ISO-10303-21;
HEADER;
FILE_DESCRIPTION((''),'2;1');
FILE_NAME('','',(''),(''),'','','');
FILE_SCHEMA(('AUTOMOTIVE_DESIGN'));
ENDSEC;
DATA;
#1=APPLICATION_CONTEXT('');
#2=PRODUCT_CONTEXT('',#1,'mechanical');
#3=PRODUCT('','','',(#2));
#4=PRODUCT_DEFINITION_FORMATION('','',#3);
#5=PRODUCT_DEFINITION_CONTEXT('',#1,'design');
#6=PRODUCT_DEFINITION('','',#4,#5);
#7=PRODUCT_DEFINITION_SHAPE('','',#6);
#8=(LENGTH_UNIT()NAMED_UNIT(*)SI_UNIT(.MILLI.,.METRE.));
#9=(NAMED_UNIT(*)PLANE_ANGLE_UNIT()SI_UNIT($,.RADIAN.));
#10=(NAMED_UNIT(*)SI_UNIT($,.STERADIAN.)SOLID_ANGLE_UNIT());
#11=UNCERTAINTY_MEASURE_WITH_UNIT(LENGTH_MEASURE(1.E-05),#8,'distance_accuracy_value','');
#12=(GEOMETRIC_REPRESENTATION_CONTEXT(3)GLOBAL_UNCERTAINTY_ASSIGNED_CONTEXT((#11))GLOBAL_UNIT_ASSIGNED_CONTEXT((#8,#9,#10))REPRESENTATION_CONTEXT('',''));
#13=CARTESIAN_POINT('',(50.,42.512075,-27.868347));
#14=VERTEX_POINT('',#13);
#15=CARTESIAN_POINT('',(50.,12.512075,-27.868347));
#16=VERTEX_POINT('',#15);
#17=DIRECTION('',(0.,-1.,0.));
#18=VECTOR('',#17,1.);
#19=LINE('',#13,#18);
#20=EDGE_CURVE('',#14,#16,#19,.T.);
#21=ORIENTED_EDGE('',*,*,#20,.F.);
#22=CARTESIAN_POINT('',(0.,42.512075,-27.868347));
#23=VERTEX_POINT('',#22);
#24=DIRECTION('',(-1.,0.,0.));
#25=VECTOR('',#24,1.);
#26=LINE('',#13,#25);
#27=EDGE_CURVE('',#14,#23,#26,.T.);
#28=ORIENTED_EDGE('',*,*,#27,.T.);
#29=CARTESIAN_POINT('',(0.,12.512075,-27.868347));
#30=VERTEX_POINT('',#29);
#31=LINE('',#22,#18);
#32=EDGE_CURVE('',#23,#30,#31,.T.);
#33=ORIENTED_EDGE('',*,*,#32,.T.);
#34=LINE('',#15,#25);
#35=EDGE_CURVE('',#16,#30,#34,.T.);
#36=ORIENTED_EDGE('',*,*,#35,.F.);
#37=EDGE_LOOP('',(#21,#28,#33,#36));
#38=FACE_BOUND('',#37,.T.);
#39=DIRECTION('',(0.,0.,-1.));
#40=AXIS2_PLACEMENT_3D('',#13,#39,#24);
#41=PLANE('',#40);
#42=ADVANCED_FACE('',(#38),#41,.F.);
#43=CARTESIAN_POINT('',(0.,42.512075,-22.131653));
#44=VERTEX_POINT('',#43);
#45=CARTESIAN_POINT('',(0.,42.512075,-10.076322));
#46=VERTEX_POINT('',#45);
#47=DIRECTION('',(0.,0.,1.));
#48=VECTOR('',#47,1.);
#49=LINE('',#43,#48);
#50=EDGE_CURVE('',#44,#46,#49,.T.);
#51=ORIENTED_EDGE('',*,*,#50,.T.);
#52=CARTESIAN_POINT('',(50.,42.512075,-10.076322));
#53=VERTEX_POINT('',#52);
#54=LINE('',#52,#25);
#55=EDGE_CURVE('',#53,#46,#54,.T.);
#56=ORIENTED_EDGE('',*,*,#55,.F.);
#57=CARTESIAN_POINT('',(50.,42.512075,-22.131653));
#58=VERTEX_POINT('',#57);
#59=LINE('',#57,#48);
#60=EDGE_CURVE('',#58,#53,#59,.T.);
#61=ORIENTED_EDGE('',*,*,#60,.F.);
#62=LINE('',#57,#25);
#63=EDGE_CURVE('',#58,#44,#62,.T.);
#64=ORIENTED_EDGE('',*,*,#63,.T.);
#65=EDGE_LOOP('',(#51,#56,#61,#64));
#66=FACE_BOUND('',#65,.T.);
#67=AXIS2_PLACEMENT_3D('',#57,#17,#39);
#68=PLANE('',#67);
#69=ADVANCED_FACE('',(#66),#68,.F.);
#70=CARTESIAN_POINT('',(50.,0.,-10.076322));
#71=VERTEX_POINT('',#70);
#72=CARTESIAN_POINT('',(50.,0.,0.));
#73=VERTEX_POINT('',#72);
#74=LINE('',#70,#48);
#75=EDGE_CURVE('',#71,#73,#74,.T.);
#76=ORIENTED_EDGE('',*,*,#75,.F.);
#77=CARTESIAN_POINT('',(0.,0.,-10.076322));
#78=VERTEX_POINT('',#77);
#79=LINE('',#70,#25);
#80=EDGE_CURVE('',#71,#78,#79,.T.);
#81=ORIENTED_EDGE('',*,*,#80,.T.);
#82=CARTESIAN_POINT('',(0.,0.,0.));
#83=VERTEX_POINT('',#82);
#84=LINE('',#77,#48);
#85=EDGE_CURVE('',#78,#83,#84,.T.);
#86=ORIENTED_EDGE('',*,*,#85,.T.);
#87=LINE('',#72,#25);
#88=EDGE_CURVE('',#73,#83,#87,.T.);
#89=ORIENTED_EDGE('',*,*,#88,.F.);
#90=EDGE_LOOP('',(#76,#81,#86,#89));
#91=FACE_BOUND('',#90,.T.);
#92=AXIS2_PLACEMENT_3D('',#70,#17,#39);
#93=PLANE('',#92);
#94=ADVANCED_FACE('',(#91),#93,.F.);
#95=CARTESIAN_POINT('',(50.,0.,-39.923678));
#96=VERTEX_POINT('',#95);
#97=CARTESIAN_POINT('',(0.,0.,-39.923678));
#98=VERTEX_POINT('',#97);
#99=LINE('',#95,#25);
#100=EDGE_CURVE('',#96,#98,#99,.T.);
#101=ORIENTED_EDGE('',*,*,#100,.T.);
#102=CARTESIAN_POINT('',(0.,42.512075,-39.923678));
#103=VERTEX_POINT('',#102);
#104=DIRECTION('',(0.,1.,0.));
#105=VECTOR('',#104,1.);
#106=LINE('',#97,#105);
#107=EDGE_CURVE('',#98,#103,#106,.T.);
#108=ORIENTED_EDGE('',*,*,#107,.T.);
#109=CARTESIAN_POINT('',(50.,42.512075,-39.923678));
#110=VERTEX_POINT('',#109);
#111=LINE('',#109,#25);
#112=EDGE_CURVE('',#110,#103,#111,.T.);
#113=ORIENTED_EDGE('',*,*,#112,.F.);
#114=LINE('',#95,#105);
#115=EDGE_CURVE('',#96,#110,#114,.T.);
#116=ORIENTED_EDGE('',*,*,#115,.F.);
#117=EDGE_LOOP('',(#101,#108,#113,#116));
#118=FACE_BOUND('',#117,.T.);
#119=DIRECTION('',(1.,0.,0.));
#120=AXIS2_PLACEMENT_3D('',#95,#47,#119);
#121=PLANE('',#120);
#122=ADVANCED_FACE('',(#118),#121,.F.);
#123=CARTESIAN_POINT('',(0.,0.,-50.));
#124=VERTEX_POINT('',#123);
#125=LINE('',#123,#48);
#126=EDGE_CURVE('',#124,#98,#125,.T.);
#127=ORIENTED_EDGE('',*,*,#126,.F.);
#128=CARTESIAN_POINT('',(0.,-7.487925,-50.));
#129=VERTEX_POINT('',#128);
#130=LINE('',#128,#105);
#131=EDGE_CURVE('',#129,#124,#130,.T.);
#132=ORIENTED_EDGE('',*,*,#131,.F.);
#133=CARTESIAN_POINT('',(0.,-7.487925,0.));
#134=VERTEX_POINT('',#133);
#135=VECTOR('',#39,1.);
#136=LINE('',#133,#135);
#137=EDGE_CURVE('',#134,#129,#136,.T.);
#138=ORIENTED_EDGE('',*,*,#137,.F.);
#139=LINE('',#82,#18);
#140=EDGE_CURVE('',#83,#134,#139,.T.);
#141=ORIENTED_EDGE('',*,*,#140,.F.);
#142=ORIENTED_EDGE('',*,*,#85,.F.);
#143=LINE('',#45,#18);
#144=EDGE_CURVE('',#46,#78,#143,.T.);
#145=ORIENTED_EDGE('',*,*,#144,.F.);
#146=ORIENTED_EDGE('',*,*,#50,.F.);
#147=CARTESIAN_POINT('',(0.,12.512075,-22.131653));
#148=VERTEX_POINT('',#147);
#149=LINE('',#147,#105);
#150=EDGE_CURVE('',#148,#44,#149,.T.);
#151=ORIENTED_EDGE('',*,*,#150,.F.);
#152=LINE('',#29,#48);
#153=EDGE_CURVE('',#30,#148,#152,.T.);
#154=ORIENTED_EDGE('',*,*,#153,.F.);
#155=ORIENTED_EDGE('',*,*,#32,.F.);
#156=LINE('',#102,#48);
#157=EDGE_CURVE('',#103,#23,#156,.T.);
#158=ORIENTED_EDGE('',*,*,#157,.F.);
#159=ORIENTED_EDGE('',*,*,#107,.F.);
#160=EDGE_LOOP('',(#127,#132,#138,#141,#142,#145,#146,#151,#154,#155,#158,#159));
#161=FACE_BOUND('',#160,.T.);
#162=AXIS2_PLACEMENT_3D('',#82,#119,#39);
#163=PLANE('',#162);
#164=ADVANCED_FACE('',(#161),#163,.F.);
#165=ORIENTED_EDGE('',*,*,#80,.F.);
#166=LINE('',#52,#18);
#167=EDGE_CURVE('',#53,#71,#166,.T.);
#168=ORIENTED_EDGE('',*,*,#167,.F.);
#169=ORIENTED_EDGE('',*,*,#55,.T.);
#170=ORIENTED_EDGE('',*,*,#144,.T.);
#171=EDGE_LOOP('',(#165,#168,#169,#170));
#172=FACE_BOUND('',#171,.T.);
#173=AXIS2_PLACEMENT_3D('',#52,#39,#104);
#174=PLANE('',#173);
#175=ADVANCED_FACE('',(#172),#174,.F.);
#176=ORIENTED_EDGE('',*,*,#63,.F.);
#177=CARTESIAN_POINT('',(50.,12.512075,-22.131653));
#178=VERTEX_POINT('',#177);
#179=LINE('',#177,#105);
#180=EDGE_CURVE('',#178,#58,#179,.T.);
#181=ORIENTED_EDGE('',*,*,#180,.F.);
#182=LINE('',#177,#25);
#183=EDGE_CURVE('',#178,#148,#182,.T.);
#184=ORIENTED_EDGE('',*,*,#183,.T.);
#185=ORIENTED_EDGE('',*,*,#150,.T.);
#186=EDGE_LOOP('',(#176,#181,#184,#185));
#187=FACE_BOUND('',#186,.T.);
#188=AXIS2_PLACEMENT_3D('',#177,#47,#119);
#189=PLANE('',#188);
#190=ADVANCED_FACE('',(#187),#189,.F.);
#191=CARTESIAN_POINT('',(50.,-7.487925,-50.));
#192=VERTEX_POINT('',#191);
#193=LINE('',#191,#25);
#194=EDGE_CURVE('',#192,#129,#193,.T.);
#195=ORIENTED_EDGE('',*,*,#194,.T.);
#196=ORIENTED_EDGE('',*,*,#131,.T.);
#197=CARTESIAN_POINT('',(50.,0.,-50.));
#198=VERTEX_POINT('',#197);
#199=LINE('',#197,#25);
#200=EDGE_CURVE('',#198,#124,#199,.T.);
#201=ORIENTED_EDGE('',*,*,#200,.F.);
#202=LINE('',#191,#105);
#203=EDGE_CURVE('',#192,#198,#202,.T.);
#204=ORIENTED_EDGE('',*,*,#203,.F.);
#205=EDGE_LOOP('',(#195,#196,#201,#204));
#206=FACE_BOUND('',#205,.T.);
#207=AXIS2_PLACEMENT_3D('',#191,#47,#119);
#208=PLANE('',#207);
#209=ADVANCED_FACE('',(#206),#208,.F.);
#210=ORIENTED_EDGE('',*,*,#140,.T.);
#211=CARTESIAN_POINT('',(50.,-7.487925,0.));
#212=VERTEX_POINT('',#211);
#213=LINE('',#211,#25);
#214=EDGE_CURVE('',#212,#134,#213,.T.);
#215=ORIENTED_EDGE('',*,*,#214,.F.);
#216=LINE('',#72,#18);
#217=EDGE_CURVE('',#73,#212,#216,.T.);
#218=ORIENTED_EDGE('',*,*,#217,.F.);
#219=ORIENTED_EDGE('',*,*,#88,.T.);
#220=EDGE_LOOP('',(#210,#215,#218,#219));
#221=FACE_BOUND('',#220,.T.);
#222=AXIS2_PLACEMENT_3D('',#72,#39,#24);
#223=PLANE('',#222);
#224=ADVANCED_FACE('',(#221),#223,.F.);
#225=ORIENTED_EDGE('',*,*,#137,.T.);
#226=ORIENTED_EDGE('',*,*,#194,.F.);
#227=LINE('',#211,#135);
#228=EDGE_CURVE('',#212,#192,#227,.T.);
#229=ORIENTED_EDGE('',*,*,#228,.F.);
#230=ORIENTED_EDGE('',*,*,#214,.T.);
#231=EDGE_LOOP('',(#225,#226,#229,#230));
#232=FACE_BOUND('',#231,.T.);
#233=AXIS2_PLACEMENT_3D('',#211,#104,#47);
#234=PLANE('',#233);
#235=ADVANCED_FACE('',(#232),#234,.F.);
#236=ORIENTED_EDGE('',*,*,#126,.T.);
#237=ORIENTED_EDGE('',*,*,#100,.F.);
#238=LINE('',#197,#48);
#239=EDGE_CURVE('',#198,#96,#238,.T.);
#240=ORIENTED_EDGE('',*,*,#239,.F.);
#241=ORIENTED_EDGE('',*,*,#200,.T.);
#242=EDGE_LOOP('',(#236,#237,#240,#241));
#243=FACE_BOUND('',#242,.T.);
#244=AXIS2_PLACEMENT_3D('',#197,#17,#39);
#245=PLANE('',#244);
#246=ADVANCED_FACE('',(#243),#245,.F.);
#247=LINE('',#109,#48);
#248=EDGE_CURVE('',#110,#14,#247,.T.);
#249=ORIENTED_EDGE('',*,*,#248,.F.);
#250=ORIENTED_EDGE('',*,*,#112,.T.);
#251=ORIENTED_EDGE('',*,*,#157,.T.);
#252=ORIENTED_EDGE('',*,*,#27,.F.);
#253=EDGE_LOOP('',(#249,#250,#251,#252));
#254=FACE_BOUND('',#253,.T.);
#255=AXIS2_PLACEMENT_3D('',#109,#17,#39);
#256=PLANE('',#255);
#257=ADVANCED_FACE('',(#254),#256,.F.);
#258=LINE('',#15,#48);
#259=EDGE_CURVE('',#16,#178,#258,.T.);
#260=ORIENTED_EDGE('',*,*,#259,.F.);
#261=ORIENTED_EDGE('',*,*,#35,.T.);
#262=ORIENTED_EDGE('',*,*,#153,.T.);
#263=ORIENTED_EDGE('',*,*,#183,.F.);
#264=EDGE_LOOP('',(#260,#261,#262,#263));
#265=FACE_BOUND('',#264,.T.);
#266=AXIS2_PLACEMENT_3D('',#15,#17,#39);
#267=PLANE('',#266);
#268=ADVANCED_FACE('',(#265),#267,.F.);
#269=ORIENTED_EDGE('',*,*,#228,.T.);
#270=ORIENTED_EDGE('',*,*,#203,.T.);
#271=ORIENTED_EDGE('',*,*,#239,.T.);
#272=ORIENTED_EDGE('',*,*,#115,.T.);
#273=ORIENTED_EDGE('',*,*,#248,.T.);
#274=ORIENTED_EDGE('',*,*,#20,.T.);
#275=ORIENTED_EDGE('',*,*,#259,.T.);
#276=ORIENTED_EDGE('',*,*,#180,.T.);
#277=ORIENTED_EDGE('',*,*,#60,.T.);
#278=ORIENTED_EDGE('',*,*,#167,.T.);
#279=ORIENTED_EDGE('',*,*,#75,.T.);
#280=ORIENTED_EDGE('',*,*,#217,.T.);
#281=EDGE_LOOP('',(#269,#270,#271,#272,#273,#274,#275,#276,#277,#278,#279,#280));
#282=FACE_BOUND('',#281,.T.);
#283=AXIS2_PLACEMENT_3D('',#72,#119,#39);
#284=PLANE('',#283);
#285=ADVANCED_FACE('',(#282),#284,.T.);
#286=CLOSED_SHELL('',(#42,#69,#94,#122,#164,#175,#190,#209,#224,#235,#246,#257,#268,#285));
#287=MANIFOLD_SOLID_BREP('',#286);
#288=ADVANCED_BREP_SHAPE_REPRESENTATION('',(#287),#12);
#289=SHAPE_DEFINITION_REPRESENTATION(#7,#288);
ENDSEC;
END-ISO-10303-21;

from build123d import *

# Parameters (mm, degrees)
BOSS_EXTRUDE5_DEPTH = 50


with BuildPart() as part:
    # Sketch7 → Boss-Extrude5 (new body)
    with BuildSketch(Plane(origin=(0, 0, 0), x_dir=(0, 0, -1), z_dir=(1, 0, 0))):
        Polygon((0, 0), (0, -7.487925166), (50, -7.487925166), (50, 0), (39.923677648, 0), (39.923677648, 42.512074834), (27.868347365, 42.512074834), (27.868347365, 12.512074834), (22.131652635, 12.512074834), (22.131652635, 42.512074834), (10.076322352, 42.512074834), (10.076322352, 0), align=None)
    extrude(amount=BOSS_EXTRUDE5_DEPTH)


solid = part.part
